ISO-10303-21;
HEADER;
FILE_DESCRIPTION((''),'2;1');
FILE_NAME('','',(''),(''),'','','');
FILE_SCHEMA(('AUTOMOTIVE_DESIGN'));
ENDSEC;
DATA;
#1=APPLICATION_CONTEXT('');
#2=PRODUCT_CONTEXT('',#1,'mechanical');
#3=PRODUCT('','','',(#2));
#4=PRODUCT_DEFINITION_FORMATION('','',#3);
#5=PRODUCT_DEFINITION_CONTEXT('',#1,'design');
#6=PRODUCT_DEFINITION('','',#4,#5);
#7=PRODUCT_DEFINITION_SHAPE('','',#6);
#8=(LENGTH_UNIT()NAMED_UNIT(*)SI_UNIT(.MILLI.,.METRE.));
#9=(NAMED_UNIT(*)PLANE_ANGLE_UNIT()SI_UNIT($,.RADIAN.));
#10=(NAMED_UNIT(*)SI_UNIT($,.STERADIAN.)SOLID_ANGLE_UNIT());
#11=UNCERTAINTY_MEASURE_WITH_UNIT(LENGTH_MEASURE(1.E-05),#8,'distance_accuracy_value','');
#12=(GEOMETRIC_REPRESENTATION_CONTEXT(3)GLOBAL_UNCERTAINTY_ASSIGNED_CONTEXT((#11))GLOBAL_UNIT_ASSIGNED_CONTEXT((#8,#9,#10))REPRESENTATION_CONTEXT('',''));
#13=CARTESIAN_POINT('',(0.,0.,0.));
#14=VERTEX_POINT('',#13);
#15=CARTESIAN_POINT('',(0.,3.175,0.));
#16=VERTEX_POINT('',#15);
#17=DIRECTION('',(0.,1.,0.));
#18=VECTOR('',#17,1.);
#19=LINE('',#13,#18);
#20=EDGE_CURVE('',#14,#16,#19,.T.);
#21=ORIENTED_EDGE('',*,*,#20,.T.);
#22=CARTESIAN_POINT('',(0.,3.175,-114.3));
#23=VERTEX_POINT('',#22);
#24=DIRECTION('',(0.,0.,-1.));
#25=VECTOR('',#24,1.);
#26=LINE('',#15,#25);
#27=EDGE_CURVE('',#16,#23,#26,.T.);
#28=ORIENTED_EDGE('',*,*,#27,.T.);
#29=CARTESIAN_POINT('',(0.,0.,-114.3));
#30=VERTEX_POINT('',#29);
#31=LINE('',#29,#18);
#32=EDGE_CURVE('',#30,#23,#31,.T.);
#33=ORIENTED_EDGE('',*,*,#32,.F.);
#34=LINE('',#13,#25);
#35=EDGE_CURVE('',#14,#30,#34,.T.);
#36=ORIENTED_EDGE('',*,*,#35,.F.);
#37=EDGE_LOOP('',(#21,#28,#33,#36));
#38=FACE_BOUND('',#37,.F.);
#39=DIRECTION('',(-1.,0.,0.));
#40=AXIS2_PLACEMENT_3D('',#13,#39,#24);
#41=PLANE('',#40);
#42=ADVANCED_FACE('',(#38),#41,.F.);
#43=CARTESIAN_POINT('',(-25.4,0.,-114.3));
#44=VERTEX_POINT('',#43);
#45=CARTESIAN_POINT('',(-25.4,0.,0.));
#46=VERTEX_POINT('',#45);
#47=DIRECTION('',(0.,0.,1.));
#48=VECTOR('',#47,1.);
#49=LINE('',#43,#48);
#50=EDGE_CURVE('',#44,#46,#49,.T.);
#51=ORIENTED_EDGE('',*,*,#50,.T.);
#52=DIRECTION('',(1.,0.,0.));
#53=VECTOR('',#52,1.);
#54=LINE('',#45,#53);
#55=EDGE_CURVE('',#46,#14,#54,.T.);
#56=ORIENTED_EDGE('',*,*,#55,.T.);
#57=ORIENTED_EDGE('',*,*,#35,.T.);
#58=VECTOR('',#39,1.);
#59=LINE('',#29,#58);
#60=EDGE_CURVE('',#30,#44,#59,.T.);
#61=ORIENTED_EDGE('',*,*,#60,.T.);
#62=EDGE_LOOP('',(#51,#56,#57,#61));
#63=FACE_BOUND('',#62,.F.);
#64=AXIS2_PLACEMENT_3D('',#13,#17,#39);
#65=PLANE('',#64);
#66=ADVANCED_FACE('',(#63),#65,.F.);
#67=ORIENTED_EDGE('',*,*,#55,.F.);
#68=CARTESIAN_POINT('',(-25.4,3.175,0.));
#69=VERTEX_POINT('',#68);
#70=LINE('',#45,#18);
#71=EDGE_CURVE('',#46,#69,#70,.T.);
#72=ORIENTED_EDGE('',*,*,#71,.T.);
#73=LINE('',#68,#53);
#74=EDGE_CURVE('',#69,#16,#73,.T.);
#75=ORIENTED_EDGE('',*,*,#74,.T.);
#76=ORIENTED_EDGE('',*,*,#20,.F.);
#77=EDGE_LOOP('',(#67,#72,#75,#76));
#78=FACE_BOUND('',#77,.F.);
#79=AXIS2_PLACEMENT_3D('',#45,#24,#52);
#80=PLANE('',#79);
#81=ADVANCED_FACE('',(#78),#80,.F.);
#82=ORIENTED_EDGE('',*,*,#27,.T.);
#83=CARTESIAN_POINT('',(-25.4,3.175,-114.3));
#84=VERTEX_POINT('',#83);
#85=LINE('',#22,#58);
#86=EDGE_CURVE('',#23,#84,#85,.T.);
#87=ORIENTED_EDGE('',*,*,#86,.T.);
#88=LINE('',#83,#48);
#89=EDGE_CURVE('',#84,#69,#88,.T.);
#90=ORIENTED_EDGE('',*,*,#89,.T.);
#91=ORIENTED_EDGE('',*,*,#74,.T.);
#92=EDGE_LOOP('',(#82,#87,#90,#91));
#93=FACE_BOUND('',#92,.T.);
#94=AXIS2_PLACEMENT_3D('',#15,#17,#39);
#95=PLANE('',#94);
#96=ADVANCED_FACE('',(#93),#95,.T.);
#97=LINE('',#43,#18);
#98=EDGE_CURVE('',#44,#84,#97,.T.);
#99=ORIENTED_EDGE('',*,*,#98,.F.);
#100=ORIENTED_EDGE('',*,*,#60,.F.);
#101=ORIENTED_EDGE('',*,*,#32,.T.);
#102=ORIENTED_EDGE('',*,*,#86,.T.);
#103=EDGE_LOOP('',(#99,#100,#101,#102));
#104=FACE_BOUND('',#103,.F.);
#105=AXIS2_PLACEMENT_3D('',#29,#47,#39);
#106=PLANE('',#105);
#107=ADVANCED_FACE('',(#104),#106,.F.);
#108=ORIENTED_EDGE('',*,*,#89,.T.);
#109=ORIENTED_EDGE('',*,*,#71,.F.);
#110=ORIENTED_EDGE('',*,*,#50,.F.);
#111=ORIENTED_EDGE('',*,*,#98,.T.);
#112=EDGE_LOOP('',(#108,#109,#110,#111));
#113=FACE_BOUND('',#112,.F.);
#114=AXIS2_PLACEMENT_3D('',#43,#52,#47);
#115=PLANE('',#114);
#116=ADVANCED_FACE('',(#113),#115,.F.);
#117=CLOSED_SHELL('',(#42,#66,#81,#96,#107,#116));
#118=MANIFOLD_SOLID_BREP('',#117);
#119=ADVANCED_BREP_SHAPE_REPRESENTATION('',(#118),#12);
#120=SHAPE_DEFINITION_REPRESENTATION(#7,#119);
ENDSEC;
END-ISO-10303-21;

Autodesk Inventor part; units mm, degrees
ref_plane "YZ Plane" through (0, 0, 0) normal (1, 0, 0) x (0, 1, 0)
ref_plane "XZ Plane" through (0, 0, 0) normal (0, 1, 0) x (-1, 0, 0)
ref_plane "XY Plane" through (0, 0, 0) normal (0, 0, 1) x (1, 0, 0)
sketch "Sketch1" plane through (0, 0, 0) normal (0, 1, 0) x (-1, 0, 0)
  line L0 (0, 0) -> (0, -114.3)
  line L1 (0, -114.3) -> (25.4, -114.3)
  line L2 (25.4, -114.3) -> (25.4, 0)
  line L3 (25.4, 0) -> (0, 0)
  dimension "d0" = 114.3
  dimension "d1" = 25.4
extrude "Extrusion1" add sketch "Sketch1" along normal blind 3.175
sketch "Sketch2" plane through (0, 3.175, 0) normal (0, 1, 0) x (1, 0, 0)
  line L0 (-25.4, 0) -> (0, 0) projected
  line L1 (-25.4, 114.3) -> (-25.4, 0) projected
  line L2 (-25.4, 10.668) -> (0, 10.668)
  line L3 (0, 0) -> (0, 114.3) projected
  dimension "d4" = 10.668
sketch "Sketch3" plane through (0, 3.175, 0) normal (0, 1, 0) x (1, 0, 0)
  line L0 (-25.4, 0) -> (0, 0) projected
  line L1 (-12.7, 0) -> (-12.7, 114.3)
  line L2 (0, 114.3) -> (-25.4, 114.3) projected
sketch "Sketch4" plane through (0, 3.175, 0) normal (0, 1, 0) x (1, 0, 0)
  circle A0 centre (-12.7, 14.668) radius 1.85 projected
  circle A1 centre (-12.7, 78.668) radius 1.85 projected
  circle A2 centre (-12.7, 78.668) radius 1.85
  circle A3 centre (-12.7, 14.668) radius 1.85
  point P0 (0, 0)
sketch "Sketch5" plane through (0, 3.175, 0) normal (0, 1, 0) x (1, 0, 0)
  line L0 (0, 114.3) -> (-25.4, 114.3) projected
  line L1 (-25.4, 114.3) -> (-25.4, 103.632)
  line L2 (-25.4, 114.3) -> (-25.4, 0) projected
  line L3 (-25.4, 103.632) -> (0, 103.632)
  point P0 (0, 0)
  dimension "d5" = 10.668
properties part number "pickup plate 1"
